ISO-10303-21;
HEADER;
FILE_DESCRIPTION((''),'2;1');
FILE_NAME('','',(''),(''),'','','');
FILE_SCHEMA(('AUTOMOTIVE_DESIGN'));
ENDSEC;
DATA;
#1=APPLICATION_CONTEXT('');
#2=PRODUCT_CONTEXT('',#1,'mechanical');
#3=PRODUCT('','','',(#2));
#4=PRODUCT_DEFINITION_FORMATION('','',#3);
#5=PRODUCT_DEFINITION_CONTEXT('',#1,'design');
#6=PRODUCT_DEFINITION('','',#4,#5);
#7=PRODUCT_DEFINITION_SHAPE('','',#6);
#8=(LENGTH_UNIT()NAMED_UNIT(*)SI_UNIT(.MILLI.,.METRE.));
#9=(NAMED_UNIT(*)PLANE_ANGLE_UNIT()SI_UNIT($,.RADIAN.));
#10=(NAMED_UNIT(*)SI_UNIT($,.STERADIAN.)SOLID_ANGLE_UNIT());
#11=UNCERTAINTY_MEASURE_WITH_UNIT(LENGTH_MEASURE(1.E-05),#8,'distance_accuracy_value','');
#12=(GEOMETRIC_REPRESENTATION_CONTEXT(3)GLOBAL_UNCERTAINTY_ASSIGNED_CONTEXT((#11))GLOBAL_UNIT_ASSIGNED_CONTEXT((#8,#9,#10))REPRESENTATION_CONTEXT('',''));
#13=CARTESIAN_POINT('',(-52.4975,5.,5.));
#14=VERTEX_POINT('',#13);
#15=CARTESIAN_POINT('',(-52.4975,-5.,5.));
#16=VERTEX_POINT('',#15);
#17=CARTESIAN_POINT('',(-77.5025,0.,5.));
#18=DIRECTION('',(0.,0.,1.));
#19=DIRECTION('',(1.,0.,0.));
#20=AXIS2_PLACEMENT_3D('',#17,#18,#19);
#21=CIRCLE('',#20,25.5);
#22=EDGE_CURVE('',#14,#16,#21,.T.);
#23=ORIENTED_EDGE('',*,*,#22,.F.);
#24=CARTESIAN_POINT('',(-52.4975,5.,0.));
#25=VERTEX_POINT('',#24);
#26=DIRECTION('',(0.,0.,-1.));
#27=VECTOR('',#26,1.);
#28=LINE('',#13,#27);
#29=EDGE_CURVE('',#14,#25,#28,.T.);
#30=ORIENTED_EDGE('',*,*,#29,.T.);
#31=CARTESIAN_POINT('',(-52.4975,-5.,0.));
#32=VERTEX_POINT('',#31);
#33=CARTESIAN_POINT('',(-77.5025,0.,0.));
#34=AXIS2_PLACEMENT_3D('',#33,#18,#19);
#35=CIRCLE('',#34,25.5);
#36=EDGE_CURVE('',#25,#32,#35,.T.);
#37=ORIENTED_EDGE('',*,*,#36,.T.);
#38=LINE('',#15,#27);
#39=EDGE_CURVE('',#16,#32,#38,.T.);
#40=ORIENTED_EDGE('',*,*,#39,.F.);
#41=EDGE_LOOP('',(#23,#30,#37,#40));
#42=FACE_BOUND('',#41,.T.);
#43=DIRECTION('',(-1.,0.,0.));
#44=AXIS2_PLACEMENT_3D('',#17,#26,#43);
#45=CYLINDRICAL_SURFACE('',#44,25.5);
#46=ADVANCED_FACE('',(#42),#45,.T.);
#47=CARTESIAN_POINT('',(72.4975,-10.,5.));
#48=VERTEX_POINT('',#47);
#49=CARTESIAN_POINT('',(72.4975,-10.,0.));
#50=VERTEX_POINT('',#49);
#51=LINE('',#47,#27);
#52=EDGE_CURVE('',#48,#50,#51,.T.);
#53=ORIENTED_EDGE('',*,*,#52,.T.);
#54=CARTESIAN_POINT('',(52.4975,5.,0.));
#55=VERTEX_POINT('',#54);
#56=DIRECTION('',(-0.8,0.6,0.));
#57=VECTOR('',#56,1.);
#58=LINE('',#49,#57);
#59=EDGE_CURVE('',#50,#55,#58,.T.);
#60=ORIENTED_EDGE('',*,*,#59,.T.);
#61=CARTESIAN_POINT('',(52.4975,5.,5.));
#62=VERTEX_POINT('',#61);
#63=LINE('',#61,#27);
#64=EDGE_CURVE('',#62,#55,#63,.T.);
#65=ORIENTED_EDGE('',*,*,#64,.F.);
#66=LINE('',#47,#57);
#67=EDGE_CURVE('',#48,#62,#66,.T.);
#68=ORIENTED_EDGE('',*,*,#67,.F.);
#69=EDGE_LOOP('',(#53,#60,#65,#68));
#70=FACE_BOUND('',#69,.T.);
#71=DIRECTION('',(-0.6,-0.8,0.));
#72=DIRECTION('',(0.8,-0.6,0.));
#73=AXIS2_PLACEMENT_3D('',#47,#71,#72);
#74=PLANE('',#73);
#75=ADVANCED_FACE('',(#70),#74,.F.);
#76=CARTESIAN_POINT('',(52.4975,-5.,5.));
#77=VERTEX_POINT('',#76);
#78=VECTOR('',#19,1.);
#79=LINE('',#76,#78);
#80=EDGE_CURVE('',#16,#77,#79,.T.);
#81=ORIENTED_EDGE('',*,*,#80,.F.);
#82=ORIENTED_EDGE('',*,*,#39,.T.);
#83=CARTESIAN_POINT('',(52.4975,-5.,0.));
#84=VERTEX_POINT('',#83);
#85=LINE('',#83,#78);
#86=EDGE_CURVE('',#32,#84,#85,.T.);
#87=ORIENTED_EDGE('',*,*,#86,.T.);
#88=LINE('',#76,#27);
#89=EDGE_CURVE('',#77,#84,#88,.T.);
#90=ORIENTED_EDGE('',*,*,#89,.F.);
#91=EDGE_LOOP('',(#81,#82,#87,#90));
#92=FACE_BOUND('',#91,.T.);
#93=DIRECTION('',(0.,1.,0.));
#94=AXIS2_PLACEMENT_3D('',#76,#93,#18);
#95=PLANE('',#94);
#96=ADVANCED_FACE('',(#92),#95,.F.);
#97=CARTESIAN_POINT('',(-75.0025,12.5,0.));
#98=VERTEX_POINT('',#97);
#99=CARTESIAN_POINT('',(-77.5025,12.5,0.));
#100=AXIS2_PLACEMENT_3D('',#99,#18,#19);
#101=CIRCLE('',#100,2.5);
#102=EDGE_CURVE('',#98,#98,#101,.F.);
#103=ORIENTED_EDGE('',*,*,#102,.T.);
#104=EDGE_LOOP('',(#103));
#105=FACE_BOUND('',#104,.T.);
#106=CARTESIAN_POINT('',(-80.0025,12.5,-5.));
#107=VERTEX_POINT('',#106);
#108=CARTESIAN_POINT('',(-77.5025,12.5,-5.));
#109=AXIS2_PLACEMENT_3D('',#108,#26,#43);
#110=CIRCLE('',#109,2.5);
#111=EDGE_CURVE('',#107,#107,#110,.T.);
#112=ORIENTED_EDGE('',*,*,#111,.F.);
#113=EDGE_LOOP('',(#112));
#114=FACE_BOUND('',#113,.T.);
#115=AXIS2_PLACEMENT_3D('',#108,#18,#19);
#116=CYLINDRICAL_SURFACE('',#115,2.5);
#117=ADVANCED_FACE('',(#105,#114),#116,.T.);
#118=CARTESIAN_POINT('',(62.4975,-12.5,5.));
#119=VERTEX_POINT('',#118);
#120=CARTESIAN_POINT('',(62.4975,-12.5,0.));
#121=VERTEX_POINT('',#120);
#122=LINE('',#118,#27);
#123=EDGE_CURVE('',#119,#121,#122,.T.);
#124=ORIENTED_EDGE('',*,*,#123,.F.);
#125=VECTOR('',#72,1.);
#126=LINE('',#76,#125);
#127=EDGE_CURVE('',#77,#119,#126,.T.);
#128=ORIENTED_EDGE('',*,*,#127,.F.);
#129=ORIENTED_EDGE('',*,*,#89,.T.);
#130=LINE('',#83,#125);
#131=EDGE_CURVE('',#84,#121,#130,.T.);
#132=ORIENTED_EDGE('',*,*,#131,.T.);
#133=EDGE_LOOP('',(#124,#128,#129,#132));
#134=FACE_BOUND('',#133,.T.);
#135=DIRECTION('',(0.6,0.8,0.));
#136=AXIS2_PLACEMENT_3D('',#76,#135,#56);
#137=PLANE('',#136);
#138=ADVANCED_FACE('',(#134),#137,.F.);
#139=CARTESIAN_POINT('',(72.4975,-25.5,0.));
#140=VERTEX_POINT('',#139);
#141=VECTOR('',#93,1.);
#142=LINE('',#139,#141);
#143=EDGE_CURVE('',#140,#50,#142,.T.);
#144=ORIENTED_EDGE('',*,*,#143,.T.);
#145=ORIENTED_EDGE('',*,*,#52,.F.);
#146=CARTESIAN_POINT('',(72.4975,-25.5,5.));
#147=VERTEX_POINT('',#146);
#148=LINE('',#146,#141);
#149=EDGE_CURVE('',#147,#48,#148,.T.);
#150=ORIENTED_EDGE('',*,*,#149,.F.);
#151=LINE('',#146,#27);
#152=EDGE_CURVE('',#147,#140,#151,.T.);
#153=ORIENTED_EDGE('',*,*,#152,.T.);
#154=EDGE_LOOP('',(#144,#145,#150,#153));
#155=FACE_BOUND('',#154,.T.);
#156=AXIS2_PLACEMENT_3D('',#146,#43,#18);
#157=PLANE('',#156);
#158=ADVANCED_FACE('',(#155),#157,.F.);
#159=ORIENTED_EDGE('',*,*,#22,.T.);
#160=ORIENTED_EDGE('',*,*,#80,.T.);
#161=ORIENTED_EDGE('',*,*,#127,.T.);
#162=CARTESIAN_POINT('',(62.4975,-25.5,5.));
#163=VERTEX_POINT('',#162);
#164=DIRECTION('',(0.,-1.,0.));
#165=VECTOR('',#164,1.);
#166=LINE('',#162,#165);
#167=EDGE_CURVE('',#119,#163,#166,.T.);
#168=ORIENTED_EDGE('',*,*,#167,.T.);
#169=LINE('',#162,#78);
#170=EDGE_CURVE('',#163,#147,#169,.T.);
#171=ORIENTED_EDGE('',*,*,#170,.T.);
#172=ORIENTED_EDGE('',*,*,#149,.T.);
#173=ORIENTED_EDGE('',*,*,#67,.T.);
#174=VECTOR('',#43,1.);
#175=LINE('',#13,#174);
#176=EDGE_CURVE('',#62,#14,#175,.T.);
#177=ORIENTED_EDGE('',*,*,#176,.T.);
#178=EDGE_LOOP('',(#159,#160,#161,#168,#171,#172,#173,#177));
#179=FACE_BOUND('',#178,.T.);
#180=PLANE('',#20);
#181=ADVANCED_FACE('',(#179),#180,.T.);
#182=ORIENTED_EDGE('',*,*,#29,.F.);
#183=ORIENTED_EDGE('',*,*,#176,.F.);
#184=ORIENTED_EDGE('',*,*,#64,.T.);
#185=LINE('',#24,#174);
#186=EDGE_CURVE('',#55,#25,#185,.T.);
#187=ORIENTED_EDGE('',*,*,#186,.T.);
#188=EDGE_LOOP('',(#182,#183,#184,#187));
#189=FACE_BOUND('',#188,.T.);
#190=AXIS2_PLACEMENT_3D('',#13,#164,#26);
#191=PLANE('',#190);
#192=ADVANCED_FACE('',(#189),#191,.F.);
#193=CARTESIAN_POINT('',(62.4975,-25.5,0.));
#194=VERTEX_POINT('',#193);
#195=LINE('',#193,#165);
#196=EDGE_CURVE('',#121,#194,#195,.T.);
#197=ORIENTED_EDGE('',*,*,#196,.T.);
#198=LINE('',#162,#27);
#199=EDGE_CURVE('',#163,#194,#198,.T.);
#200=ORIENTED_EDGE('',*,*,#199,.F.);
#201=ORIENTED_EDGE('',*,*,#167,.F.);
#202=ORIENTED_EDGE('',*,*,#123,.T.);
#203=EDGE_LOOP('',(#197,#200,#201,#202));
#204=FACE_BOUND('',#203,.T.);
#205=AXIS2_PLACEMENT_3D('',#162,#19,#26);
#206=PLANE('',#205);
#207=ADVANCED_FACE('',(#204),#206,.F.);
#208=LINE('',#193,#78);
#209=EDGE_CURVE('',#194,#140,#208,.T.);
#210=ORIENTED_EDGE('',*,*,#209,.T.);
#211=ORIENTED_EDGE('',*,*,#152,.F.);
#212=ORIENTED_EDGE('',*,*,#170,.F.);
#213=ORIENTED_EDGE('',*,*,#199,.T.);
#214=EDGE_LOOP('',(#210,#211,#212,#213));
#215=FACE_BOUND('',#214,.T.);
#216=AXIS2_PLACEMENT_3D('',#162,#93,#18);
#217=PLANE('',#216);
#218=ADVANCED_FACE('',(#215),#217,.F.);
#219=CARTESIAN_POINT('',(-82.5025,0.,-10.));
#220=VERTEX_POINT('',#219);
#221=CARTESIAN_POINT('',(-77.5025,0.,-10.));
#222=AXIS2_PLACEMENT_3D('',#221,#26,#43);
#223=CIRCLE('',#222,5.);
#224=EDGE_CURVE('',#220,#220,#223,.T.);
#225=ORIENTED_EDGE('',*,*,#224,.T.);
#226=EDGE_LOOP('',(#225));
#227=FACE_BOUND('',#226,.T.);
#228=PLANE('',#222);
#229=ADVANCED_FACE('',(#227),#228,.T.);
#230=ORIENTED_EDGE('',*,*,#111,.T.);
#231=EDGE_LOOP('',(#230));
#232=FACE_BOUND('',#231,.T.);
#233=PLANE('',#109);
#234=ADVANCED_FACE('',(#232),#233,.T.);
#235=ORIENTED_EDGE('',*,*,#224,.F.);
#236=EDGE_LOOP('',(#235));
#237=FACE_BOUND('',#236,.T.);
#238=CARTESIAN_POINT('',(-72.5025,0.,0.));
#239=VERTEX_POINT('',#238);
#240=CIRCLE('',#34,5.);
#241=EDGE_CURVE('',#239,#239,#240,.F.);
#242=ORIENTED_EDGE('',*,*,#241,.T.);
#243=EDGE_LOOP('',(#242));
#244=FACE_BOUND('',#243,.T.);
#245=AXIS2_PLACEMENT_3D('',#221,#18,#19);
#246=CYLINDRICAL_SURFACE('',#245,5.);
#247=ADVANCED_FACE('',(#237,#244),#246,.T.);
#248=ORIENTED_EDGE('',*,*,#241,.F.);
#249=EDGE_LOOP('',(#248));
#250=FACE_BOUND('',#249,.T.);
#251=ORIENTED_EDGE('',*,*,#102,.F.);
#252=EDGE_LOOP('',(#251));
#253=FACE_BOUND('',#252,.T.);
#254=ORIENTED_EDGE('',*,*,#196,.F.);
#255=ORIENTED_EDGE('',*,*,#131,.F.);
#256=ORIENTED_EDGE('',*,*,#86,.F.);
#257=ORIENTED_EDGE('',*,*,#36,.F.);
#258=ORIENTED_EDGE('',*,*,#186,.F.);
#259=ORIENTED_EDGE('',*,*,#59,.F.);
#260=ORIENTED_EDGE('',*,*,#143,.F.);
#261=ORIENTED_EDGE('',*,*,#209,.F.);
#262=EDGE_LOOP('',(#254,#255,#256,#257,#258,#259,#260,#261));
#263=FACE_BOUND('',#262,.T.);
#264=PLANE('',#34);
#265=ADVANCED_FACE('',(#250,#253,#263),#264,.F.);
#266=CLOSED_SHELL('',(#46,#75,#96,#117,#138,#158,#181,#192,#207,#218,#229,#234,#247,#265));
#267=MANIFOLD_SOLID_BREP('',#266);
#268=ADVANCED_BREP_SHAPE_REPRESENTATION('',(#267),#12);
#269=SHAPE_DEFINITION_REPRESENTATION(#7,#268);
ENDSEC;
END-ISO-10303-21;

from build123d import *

# Parameters (mm, degrees)
SALIENTE_EXTRUIR1_DEPTH = 5
CROQUIS3_R              = 2.5
SALIENTE_EXTRUIR3_DEPTH = 5
CROQUIS4_R              = 5
SALIENTE_EXTRUIR4_DEPTH = 10


with BuildPart() as part:
    # Croquis1 → Saliente-Extruir1 (new body)
    with BuildSketch(Plane.XY):
        with BuildLine():
            Line((-52.49750025, 5), (52.49750025, 5))
            Line((52.49750025, 5), (72.49750025, -10))
            Line((72.49750025, -10), (72.49750025, -25.5))
            Line((72.49750025, -25.5), (62.49750025, -25.5))
            Line((62.49750025, -25.5), (62.49750025, -12.5))
            Line((62.49750025, -12.5), (52.49750025, -5))
            Line((52.49750025, -5), (-52.49750025, -5))
            ThreePointArc((-52.49750025, -5), (-103.00249975, 0), (-52.49750025, 5))
        make_face()
    extrude(amount=SALIENTE_EXTRUIR1_DEPTH)

    # Croquis3 → Saliente-Extruir3 (add)
    with BuildSketch(Plane(origin=(0, 0, 0), x_dir=(-1, 0, 0), z_dir=(0, 0, -1))):
        with Locations((77.50249975, 12.5)):
            Circle(CROQUIS3_R)
    extrude(amount=SALIENTE_EXTRUIR3_DEPTH)

    # Croquis4 → Saliente-Extruir4 (add)
    with BuildSketch(Plane(origin=(0, 0, 0), x_dir=(-1, 0, 0), z_dir=(0, 0, -1))):
        with Locations((77.50249975, 0)):
            Circle(CROQUIS4_R)
    extrude(amount=SALIENTE_EXTRUIR4_DEPTH)


solid = part.part
